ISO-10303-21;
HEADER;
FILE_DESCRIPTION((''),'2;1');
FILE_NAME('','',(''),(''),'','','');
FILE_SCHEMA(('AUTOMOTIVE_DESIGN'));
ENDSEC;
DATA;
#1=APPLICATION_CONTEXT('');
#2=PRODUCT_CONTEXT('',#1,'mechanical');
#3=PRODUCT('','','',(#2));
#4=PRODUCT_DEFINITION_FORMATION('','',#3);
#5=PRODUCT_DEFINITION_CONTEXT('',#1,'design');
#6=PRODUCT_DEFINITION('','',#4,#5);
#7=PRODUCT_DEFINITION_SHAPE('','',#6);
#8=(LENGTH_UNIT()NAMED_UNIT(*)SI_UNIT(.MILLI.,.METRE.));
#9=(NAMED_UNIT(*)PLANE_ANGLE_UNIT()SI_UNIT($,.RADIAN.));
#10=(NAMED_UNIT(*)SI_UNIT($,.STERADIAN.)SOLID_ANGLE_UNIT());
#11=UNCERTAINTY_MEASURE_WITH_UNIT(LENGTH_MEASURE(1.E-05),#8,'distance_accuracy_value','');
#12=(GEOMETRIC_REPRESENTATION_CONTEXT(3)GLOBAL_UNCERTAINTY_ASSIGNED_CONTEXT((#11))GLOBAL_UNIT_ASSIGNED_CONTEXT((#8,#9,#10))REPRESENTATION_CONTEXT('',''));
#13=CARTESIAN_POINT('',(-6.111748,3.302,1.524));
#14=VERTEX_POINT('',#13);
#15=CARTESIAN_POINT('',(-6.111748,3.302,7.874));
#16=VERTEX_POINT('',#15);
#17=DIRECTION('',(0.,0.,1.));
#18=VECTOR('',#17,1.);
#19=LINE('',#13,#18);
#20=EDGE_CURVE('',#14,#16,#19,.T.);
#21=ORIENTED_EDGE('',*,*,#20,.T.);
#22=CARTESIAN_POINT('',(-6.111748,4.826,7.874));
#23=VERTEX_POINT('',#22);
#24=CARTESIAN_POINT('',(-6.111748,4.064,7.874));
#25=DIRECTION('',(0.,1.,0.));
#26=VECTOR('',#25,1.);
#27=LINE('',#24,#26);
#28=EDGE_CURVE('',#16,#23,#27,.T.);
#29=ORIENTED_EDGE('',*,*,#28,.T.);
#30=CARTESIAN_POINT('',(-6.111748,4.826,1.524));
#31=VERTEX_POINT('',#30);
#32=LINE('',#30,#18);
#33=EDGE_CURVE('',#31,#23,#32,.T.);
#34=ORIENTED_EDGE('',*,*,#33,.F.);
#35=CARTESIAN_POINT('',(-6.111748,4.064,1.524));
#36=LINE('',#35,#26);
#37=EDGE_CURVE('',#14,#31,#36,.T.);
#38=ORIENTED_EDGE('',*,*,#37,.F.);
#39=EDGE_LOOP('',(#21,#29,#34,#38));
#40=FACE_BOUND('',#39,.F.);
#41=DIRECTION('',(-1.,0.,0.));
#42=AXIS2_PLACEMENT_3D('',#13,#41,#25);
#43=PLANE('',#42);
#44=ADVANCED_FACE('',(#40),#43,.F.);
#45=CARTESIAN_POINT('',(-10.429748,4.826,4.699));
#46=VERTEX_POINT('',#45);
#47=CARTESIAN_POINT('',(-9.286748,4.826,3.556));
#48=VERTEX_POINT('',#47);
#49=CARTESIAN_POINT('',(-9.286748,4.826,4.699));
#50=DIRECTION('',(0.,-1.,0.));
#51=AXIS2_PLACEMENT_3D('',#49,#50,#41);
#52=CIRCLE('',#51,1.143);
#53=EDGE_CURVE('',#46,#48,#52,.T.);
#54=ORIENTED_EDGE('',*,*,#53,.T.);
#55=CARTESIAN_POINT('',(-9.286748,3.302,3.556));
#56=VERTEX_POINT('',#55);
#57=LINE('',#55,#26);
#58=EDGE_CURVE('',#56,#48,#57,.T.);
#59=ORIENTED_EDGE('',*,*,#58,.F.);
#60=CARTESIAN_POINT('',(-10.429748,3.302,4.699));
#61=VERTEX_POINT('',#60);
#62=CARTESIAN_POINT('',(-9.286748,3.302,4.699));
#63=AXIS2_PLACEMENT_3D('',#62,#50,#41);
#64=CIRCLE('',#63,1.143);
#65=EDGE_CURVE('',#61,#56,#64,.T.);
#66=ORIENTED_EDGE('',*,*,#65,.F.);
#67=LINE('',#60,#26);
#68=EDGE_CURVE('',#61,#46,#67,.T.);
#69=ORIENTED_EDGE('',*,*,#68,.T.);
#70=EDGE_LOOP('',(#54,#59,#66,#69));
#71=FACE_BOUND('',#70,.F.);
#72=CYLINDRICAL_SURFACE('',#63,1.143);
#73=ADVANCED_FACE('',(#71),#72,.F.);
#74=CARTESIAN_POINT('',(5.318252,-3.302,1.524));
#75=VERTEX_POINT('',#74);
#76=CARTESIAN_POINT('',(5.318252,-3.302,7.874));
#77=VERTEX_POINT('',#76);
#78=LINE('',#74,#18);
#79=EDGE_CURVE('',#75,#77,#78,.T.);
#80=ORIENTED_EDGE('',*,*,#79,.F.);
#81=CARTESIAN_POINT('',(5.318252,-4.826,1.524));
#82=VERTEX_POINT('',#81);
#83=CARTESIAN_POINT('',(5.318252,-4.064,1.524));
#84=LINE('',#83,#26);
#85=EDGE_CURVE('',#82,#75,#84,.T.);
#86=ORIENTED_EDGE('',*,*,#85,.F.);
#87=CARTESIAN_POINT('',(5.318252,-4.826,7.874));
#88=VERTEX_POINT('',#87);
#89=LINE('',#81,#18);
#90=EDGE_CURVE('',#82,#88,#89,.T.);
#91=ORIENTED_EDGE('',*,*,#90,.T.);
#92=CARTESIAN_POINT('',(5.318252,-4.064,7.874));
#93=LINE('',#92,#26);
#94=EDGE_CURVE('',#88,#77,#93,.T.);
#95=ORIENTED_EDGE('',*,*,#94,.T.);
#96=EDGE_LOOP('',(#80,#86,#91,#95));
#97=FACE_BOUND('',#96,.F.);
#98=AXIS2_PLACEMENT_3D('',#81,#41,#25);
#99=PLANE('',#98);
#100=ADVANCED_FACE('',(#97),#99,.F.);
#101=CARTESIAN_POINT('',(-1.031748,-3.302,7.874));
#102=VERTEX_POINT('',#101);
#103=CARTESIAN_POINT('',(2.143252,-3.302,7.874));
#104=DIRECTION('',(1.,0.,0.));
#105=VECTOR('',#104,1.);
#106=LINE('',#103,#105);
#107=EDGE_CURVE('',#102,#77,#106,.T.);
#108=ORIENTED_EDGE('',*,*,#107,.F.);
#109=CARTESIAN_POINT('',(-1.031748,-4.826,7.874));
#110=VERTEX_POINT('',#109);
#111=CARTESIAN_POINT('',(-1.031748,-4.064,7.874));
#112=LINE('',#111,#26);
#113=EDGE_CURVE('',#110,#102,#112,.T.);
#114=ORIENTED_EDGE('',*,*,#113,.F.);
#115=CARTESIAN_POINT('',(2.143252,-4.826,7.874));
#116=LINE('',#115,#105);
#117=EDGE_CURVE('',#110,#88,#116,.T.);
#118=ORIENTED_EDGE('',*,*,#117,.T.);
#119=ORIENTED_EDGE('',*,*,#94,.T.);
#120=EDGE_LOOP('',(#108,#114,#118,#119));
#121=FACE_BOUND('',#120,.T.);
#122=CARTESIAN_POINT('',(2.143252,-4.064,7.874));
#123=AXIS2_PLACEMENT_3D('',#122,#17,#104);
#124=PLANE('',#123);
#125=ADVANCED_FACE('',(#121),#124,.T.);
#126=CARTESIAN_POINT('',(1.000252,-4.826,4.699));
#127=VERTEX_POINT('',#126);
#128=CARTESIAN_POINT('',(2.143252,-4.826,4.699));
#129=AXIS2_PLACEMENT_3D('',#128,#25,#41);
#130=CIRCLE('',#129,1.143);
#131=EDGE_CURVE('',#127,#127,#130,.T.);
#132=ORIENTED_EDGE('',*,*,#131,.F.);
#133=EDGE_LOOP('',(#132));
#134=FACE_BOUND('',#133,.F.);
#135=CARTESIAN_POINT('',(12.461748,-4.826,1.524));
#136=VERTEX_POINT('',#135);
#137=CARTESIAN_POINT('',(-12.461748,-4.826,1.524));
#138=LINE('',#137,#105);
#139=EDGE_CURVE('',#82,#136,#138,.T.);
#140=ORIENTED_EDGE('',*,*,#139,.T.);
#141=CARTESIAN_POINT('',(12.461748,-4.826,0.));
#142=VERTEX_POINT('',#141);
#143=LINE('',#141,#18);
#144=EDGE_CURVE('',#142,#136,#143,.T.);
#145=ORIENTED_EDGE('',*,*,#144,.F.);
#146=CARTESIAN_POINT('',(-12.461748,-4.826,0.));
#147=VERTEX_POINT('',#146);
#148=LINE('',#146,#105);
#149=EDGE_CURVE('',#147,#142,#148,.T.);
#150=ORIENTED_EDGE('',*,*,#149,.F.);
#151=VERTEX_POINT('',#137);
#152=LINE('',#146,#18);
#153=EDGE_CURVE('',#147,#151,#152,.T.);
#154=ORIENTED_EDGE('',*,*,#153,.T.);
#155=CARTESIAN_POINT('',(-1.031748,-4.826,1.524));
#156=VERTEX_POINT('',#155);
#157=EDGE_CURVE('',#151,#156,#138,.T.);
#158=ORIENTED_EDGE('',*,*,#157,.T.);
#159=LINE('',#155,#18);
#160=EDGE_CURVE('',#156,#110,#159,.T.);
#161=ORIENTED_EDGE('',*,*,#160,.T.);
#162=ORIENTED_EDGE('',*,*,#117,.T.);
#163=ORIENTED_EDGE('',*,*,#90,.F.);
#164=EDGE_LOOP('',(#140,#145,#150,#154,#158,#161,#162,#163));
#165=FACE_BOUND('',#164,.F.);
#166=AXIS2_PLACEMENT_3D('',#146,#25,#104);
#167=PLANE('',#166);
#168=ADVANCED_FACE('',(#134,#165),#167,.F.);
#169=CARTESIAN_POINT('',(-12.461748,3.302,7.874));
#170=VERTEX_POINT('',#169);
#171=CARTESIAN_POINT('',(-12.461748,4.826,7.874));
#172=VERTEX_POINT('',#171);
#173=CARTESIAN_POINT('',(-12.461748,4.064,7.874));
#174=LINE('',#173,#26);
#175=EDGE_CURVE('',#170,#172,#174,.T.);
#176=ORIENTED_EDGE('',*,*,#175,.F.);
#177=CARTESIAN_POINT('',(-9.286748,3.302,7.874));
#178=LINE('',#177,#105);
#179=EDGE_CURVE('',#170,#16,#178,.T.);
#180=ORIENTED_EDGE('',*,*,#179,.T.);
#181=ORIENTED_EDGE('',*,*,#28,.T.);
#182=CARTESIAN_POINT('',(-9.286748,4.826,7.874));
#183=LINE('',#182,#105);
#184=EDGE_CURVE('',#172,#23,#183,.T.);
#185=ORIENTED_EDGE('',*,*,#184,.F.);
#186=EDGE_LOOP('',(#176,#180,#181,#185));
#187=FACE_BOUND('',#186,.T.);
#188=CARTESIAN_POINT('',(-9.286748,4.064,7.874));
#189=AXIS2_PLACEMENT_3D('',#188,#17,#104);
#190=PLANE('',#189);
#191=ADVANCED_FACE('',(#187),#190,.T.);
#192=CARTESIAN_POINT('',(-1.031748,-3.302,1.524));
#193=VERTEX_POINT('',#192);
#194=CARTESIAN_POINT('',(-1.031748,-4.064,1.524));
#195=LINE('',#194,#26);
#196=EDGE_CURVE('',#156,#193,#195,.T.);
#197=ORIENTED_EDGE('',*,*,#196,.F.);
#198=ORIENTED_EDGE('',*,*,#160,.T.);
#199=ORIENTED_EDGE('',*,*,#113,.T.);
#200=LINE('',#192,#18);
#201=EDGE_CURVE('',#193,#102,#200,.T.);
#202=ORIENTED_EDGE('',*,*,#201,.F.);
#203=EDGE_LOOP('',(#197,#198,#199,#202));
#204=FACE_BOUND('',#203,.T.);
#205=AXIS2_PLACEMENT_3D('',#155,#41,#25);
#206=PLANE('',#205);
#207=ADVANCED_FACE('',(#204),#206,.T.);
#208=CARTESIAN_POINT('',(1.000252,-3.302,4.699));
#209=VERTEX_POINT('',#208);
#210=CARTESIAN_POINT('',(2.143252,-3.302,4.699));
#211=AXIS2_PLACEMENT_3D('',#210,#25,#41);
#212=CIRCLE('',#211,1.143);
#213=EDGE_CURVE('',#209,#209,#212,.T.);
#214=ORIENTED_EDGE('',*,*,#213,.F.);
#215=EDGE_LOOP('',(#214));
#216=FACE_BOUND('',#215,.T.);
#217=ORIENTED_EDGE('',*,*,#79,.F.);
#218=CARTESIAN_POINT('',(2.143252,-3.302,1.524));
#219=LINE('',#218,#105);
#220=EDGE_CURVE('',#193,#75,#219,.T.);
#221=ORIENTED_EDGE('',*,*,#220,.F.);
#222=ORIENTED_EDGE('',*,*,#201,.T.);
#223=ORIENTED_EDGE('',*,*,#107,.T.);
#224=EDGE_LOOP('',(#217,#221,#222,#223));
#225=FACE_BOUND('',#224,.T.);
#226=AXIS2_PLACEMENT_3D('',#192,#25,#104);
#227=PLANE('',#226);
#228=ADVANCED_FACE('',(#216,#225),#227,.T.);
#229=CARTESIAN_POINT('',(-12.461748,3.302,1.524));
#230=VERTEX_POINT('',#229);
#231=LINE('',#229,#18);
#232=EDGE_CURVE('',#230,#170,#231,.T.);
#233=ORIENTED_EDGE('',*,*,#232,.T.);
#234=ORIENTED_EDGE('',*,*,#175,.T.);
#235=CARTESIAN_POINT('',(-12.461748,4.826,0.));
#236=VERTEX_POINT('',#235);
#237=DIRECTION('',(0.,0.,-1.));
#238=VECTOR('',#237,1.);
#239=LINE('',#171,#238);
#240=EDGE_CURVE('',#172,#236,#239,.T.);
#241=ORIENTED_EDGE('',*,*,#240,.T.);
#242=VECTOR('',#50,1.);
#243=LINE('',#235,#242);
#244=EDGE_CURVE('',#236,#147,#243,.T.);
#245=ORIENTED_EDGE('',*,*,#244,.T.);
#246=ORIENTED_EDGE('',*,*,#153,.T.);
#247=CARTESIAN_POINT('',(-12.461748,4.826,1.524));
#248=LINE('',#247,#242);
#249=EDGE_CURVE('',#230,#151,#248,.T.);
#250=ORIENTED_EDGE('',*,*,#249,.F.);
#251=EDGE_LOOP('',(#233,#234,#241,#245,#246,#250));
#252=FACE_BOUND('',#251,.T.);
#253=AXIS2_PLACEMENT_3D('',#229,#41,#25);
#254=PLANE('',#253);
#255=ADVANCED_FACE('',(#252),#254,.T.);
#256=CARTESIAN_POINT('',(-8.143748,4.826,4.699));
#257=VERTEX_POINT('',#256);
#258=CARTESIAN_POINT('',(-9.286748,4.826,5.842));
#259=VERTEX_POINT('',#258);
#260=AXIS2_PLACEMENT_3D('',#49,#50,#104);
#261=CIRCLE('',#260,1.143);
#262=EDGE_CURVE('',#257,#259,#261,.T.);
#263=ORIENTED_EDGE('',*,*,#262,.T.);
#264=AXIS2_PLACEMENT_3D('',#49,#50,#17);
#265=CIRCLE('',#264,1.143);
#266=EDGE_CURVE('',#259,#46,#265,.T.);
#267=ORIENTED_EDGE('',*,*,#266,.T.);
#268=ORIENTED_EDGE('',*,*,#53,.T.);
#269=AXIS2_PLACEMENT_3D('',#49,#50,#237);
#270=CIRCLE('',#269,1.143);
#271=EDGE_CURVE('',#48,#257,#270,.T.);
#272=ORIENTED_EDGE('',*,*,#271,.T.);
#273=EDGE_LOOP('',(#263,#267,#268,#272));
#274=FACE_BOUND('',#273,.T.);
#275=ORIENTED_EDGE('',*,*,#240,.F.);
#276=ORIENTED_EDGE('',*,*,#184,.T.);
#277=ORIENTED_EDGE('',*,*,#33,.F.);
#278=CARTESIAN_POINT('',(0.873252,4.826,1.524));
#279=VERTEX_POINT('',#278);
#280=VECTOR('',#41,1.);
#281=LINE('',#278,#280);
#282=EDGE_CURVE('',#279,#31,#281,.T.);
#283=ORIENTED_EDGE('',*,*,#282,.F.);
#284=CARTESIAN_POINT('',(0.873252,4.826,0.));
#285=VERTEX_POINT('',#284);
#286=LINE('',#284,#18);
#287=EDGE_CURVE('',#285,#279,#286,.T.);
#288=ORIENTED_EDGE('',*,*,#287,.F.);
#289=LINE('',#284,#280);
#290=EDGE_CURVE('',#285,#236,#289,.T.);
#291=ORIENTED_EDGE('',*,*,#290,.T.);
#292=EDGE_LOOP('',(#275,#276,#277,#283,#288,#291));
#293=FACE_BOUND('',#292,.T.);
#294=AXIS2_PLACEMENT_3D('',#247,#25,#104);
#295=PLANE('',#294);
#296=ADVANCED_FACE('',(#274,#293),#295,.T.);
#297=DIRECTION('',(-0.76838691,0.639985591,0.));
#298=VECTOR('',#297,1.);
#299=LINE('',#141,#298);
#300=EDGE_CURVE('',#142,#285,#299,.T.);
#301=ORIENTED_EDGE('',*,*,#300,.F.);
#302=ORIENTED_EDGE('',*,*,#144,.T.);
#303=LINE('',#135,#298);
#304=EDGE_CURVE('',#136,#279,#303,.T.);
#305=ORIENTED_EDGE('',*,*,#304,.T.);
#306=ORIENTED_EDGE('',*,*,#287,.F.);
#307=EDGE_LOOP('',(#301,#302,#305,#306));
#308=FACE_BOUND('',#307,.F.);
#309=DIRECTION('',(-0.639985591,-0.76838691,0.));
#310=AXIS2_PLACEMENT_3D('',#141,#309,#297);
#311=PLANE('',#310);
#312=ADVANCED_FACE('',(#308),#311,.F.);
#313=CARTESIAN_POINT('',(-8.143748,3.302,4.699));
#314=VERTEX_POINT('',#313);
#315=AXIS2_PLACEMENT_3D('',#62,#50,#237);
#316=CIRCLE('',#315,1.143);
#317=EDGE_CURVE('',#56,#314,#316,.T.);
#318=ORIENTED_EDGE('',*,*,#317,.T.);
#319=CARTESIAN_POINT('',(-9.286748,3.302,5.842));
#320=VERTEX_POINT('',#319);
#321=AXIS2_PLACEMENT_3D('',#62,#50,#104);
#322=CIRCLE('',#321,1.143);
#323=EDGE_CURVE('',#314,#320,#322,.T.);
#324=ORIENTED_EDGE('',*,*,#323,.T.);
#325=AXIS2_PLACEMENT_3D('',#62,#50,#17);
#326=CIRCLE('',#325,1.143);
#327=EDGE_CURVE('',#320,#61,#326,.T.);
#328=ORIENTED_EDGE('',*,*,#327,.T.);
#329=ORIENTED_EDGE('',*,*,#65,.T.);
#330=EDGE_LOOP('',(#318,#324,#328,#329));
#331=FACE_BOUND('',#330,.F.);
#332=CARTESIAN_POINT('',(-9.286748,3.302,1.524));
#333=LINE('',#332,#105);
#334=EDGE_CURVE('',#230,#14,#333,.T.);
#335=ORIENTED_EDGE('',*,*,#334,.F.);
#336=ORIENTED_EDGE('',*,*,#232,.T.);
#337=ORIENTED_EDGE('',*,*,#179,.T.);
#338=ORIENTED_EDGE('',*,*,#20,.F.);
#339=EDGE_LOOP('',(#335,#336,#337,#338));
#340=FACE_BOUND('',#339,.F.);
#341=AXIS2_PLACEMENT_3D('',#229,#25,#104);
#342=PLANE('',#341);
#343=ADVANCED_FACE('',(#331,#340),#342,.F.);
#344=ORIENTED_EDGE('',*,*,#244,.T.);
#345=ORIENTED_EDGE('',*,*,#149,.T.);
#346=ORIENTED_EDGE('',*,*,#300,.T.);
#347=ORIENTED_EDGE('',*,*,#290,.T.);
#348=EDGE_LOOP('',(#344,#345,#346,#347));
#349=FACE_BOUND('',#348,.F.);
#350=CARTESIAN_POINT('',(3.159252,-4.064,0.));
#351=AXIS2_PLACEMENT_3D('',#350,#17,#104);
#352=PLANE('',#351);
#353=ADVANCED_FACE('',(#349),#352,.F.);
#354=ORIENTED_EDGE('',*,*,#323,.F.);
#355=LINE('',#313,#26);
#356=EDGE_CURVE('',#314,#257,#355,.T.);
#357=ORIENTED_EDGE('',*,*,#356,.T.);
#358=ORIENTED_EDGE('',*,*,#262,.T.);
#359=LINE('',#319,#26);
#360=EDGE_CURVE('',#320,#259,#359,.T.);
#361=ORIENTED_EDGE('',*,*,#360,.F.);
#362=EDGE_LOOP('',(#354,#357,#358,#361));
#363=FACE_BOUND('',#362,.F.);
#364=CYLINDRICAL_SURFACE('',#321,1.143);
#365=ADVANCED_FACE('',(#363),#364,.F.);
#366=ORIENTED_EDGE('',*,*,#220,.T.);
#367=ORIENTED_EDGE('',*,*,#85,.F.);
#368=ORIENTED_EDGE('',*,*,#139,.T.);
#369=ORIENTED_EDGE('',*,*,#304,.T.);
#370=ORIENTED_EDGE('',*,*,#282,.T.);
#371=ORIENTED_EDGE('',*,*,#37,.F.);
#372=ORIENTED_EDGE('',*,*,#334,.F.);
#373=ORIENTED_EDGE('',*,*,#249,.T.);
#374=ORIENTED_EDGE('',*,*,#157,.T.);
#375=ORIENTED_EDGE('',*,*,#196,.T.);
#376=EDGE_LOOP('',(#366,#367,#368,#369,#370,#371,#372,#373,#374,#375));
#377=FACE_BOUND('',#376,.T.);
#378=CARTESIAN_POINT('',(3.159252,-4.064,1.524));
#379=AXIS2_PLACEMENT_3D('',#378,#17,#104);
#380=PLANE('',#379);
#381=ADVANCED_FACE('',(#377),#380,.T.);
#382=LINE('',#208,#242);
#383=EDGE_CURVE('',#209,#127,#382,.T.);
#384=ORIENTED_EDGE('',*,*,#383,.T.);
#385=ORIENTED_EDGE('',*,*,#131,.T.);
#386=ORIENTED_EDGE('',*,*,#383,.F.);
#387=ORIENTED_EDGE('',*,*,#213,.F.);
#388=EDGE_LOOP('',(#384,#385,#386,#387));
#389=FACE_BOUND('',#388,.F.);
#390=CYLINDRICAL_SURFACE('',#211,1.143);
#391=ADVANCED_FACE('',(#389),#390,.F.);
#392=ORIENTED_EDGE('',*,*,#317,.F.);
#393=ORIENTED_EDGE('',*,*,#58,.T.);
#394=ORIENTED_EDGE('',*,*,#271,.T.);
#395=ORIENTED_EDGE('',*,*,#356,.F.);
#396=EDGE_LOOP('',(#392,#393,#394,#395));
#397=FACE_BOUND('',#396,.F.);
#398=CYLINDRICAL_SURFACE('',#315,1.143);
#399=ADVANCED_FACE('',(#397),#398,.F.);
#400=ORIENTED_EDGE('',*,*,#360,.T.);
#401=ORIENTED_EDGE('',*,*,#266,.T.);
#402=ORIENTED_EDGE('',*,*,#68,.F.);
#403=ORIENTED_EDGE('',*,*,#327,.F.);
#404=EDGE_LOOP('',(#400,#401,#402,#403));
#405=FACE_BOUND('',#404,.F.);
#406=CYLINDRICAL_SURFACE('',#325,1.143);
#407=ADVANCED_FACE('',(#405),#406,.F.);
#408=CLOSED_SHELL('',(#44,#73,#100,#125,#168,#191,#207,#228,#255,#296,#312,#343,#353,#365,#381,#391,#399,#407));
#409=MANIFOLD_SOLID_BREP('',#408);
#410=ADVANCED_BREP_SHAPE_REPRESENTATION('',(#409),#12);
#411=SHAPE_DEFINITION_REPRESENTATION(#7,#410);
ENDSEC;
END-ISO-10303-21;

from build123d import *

# Parameters (mm, degrees)
F0_W     = 4.572
F0_H     = 1.524
F0_W_2   = 1.778
F0_H_2   = 8.128
F0_W_3   = 6.35
F1_DEPTH = 1.524
F2_W     = 6.35
F2_H     = 1.524
F3_DEPTH = 6.35
F5_DEPTH = 2.54
F6_DEPTH = 6.35
F7_R     = 1.143
F8_DEPTH = 2.54


with BuildPart() as f1:
    # F0 (on Top) → F1 (new body)
    with BuildSketch(Plane.XY):
        with Locations((3.159252, -4.064)):
            Rectangle(F0_W, F0_H)
        with Locations((-0.015748, 0.762)):
            Rectangle(F0_W_2, F0_H_2)
        Polygon((-0.904748, -3.302), (-0.904748, 4.826), (-6.111748, 4.826), (-6.111748, 3.302), (-12.461748, 3.302), (-12.461748, -4.826), (-0.904748, -4.826), align=None)
        Polygon((7.2287730873, -4.826), (12.461748, -4.826), (0.873252, 4.826), (0.873252, -3.302), (5.445252, -3.302), (5.445252, -4.826), align=None)
        with Locations((-9.286748, 4.064)):
            Rectangle(F0_W_3, F0_H)
        with Locations((-0.015748, -4.064)):
            Rectangle(F0_W_2, F0_H)
    extrude(amount=F1_DEPTH)

    # F2 (on face) → F3 (join)
    with BuildSketch(Plane.XY.offset(1.524)):
        with Locations((-9.286748, 4.064)):
            Rectangle(F2_W, F2_H)
    extrude(amount=F3_DEPTH)

    # F4 (on face) → F5 (cut)
    with BuildSketch(Plane.XZ.offset(-3.302)):
        with BuildLine():
            Line((-9.286748, 4.699), (-8.143748, 4.699))
            ThreePointArc((-8.143748, 4.699), (-8.4785249491, 5.5072230509), (-9.286748, 5.842))
            Line((-9.286748, 5.842), (-9.286748, 4.699))
        make_face()
        with BuildLine():
            Line((-10.429748, 4.699), (-9.286748, 4.699))
            Line((-9.286748, 4.699), (-9.286748, 5.842))
            ThreePointArc((-9.286748, 5.842), (-10.0949710509, 5.5072230509), (-10.429748, 4.699))
        make_face()
        with BuildLine():
            Line((-9.286748, 3.556), (-9.286748, 4.699))
            Line((-9.286748, 4.699), (-10.429748, 4.699))
            ThreePointArc((-10.429748, 4.699), (-10.0949710509, 3.8907769491), (-9.286748, 3.556))
        make_face()
        with BuildLine():
            ThreePointArc((-9.286748, 3.556), (-8.4785249491, 3.8907769491), (-8.143748, 4.699))
            Line((-8.143748, 4.699), (-9.286748, 4.699))
            Line((-9.286748, 4.699), (-9.286748, 3.556))
        make_face()
    extrude(amount=-F5_DEPTH, mode=Mode.SUBTRACT)

    # F2 (on face) → F6 (join)
    with BuildSketch(Plane.XY.offset(1.524)):
        with Locations((2.143252, -4.064)):
            Rectangle(F2_W, F2_H)
    extrude(amount=F6_DEPTH)

    # F7 (on face) → F8 (cut)
    with BuildSketch(Plane(origin=(0, -3.302, 0), x_dir=(-1, 0, 0), z_dir=(0, 1, 0))):
        with Locations((-2.143252, 4.699)):
            Circle(F7_R)
    extrude(amount=-F8_DEPTH, mode=Mode.SUBTRACT)


solid = f1.part
